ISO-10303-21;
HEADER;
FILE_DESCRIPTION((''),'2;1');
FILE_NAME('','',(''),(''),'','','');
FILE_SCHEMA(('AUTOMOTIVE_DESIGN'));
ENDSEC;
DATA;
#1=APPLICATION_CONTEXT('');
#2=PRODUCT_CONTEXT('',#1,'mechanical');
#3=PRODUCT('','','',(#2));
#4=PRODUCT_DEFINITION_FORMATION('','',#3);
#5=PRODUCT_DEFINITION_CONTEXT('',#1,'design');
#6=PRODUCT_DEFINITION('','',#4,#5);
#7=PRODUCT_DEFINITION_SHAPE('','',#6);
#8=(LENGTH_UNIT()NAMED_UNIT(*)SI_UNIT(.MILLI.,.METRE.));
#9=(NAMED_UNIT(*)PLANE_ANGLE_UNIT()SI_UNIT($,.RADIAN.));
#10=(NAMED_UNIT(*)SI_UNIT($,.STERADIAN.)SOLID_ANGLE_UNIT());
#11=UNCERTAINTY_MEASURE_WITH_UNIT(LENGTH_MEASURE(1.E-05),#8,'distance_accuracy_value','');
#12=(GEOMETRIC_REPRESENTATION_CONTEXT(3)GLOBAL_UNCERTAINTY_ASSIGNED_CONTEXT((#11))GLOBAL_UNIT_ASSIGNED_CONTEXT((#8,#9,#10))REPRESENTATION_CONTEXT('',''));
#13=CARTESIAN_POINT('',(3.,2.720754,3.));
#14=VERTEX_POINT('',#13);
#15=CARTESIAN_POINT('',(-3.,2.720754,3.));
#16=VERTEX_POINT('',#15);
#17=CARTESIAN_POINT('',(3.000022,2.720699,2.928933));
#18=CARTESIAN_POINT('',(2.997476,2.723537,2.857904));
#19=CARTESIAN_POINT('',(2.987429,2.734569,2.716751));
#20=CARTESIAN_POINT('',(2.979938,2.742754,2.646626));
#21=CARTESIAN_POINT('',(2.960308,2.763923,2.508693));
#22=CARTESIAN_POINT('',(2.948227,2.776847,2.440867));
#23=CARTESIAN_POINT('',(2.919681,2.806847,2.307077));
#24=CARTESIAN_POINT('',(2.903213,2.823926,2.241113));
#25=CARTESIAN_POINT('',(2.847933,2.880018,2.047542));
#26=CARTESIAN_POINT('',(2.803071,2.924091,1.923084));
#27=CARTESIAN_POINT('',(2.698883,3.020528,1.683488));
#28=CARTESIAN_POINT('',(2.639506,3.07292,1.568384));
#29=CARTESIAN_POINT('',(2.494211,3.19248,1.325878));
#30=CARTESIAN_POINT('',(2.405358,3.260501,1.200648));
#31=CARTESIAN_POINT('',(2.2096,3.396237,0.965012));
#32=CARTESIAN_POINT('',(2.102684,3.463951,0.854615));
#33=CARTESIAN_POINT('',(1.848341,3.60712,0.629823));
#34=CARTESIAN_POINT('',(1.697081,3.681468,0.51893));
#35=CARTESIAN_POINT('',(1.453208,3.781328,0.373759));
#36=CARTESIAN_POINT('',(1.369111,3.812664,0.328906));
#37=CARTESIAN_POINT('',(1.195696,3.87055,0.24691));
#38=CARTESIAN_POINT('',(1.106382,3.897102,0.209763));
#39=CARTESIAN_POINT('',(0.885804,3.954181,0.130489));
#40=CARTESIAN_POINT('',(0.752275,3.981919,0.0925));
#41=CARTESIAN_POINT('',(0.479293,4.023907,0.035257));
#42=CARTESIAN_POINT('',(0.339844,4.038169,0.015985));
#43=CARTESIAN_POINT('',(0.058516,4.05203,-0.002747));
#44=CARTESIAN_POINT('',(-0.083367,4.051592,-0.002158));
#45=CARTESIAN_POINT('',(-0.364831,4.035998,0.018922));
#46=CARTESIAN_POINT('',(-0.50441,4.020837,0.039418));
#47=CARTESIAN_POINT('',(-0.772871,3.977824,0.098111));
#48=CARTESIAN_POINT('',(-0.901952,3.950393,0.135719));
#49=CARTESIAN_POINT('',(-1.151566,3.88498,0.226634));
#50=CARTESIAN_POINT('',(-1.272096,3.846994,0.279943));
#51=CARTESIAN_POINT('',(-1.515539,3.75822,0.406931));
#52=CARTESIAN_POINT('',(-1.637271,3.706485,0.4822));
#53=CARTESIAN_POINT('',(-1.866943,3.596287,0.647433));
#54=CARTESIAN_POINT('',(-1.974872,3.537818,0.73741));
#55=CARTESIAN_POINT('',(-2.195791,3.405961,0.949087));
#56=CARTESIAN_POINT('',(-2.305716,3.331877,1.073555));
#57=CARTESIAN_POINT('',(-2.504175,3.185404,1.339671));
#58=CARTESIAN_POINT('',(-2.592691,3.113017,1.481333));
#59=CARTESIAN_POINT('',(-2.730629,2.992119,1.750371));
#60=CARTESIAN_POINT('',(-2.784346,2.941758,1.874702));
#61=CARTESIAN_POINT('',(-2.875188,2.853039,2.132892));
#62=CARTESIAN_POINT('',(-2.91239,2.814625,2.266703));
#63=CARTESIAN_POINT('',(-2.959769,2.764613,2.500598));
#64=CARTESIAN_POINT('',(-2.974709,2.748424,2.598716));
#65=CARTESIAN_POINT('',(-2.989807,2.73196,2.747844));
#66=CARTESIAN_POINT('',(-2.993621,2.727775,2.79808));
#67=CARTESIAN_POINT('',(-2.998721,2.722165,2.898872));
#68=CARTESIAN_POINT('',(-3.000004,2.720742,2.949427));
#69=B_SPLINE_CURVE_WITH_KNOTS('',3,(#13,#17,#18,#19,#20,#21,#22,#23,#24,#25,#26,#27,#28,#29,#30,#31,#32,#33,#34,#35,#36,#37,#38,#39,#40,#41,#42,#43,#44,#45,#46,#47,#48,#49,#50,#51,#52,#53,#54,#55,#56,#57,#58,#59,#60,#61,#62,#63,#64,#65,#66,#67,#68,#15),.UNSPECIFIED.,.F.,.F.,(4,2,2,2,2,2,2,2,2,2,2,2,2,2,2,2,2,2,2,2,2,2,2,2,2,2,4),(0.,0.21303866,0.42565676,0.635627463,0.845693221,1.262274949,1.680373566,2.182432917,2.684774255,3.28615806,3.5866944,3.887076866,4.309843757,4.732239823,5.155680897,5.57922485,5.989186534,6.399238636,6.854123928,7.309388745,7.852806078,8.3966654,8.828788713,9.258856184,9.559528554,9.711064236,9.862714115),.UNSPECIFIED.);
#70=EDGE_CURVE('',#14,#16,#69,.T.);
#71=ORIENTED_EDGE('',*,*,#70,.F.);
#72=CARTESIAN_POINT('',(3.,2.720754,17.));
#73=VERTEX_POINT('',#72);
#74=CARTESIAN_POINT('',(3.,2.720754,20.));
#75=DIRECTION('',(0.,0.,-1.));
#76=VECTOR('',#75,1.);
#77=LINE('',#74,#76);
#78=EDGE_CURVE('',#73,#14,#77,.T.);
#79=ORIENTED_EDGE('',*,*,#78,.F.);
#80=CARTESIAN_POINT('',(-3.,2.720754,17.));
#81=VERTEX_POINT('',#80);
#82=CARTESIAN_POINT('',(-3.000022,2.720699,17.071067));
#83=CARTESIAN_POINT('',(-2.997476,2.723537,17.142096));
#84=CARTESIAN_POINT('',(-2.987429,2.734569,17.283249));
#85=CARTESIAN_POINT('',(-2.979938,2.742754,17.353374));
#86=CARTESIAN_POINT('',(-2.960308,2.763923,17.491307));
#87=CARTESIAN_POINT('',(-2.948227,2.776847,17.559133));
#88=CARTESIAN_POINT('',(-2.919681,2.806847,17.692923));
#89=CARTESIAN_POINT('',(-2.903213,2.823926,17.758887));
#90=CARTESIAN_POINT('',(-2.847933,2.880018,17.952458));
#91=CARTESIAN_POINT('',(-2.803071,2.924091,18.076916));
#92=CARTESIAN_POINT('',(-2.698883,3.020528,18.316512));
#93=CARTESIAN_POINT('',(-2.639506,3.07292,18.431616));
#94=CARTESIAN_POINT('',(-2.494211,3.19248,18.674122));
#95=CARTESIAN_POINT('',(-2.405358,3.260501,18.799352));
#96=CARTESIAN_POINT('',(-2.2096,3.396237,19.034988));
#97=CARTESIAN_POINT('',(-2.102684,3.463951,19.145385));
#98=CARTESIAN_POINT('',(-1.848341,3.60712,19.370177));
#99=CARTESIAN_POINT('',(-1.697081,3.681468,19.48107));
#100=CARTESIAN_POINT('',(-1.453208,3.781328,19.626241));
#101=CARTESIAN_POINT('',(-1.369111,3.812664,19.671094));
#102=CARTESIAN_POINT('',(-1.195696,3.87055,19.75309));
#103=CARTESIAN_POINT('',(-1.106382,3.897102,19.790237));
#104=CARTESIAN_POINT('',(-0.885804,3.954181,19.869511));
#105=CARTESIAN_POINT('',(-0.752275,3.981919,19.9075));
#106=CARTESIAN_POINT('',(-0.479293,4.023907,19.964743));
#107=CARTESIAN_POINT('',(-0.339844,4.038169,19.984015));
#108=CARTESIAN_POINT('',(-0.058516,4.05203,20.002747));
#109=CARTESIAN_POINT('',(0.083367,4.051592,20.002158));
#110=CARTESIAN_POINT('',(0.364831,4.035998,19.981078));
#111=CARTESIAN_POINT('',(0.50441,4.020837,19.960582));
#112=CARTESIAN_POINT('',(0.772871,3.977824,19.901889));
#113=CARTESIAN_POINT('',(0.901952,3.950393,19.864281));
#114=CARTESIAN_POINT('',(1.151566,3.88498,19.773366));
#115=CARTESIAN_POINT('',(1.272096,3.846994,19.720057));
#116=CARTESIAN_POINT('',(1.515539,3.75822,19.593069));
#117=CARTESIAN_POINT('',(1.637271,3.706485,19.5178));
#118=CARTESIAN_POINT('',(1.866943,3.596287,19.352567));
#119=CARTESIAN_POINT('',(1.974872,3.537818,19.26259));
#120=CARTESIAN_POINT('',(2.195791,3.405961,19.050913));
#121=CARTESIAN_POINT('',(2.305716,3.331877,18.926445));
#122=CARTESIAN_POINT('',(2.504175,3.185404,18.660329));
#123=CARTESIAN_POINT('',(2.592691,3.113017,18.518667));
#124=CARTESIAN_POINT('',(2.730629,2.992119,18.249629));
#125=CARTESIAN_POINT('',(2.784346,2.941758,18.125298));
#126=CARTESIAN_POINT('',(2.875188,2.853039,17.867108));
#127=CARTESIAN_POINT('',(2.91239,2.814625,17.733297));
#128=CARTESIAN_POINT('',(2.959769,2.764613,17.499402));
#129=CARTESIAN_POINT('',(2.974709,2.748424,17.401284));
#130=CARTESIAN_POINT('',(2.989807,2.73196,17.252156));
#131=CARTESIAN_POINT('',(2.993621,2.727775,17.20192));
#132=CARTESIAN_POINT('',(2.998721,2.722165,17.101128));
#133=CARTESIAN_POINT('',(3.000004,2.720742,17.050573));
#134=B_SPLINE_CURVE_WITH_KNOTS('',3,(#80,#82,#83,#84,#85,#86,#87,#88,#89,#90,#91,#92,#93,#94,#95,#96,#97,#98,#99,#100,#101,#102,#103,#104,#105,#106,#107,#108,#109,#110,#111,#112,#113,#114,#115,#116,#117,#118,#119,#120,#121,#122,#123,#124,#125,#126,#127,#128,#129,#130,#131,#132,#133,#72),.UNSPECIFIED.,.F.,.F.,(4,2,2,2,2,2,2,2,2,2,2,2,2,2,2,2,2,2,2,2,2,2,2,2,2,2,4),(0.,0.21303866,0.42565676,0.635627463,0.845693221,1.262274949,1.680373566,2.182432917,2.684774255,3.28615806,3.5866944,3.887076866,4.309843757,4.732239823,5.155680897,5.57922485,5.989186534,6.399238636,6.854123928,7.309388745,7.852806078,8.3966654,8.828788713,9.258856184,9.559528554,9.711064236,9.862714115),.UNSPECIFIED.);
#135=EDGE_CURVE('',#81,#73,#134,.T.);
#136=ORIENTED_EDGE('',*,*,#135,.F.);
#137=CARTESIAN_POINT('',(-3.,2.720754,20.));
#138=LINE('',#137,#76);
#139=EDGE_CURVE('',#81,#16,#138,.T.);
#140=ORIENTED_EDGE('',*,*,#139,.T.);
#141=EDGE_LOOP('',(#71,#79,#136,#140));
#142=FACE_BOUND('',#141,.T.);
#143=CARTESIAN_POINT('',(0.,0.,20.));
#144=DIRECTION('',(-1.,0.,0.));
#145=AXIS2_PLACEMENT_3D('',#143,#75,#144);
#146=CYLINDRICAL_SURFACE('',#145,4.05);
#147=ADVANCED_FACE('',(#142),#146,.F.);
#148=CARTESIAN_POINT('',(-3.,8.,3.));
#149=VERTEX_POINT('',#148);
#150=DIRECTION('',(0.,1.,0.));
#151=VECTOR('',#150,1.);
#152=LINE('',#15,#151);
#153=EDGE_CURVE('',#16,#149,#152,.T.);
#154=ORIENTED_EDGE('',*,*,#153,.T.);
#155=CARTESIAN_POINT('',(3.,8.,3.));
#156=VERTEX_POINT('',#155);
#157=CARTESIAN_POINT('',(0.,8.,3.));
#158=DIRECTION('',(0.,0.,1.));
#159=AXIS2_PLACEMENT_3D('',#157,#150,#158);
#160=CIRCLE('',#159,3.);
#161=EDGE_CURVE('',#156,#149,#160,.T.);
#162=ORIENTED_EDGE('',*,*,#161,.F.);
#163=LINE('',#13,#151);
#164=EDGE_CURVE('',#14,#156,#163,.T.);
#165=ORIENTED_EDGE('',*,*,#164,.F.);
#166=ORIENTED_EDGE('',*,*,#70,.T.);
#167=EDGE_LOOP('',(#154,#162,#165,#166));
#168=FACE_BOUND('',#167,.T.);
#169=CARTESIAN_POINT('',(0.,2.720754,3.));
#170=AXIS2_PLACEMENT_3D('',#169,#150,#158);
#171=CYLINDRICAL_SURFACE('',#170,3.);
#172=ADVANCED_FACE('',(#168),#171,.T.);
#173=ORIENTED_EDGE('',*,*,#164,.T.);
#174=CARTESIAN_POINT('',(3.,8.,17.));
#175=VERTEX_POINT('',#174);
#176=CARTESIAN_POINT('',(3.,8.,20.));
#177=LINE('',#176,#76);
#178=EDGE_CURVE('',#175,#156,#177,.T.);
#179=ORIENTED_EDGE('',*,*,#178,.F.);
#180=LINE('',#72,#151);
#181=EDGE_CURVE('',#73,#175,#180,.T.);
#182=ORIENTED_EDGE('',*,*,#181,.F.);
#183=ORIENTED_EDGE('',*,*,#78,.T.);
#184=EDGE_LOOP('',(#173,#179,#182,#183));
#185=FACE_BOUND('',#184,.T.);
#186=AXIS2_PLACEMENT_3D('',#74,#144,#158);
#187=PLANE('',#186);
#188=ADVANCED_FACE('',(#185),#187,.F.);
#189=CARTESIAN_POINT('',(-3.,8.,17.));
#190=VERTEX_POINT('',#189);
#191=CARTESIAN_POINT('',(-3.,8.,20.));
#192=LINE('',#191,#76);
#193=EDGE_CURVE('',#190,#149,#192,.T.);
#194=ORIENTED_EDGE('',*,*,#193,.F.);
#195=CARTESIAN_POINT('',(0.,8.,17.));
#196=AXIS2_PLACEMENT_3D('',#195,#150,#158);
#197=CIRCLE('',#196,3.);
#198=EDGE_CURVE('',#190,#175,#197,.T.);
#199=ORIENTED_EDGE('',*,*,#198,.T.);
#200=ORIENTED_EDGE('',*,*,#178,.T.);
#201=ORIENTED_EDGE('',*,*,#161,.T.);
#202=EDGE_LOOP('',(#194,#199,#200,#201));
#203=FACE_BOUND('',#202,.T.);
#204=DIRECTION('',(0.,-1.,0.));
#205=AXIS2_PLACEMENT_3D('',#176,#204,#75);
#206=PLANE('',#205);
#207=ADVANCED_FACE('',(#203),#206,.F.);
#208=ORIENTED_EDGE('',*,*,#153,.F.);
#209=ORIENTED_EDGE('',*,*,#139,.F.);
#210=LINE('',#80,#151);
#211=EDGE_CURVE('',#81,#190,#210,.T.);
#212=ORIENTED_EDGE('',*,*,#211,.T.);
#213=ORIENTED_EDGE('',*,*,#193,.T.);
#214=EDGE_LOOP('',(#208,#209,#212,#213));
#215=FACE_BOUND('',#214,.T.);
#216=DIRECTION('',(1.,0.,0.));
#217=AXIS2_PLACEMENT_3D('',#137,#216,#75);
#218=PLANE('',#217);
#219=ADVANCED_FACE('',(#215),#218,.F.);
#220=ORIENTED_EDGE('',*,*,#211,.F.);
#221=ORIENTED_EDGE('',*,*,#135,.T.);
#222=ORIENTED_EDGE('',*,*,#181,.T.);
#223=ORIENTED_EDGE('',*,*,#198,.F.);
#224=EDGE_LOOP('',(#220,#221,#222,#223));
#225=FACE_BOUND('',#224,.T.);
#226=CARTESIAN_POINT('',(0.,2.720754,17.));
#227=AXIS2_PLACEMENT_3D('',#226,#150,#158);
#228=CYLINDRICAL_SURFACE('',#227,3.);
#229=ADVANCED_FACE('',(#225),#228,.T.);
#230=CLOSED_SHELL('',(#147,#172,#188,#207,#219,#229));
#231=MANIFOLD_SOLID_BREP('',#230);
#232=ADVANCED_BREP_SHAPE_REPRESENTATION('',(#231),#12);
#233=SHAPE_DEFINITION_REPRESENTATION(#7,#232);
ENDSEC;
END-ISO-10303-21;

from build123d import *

# Parameters (mm, degrees)
BOSS_EXTRUDE1_DEPTH = 20
SKETCH2_OUTSIDE_W   = 12.308
SKETCH2_OUTSIDE_H   = 26.308
CUT_EXTRUDE2_DEPTH  = 21.901445951


with BuildPart() as part:
    # Sketch1 → Boss-Extrude1 (new body)
    with BuildSketch(Plane.XY):
        with BuildLine():
            Line((3, 2.720753572), (3, 8))
            Line((3, 8), (-3, 8))
            Line((-3, 8), (-3, 2.720753572))
            ThreePointArc((-3, 2.720753572), (0, 4.05), (3, 2.720753572))
        make_face()
    extrude(amount=BOSS_EXTRUDE1_DEPTH)

    # Sketch2 outside → Cut-Extrude2 (cut, through all)
    with BuildSketch(Plane(origin=(0, 8, 0), x_dir=(1, 0, 0), z_dir=(0, 1, 0))):
        with Locations((0, -10)):
            Rectangle(SKETCH2_OUTSIDE_W, SKETCH2_OUTSIDE_H)
        with BuildLine():
            Line((-3, -3), (-3, -17))
            ThreePointArc((-3, -17), (0, -20), (3, -17))
            Line((3, -17), (3, -3))
            ThreePointArc((3, -3), (0, 0), (-3, -3))
        make_face(mode=Mode.SUBTRACT)
    extrude(amount=-CUT_EXTRUDE2_DEPTH, mode=Mode.SUBTRACT)


solid = part.part
